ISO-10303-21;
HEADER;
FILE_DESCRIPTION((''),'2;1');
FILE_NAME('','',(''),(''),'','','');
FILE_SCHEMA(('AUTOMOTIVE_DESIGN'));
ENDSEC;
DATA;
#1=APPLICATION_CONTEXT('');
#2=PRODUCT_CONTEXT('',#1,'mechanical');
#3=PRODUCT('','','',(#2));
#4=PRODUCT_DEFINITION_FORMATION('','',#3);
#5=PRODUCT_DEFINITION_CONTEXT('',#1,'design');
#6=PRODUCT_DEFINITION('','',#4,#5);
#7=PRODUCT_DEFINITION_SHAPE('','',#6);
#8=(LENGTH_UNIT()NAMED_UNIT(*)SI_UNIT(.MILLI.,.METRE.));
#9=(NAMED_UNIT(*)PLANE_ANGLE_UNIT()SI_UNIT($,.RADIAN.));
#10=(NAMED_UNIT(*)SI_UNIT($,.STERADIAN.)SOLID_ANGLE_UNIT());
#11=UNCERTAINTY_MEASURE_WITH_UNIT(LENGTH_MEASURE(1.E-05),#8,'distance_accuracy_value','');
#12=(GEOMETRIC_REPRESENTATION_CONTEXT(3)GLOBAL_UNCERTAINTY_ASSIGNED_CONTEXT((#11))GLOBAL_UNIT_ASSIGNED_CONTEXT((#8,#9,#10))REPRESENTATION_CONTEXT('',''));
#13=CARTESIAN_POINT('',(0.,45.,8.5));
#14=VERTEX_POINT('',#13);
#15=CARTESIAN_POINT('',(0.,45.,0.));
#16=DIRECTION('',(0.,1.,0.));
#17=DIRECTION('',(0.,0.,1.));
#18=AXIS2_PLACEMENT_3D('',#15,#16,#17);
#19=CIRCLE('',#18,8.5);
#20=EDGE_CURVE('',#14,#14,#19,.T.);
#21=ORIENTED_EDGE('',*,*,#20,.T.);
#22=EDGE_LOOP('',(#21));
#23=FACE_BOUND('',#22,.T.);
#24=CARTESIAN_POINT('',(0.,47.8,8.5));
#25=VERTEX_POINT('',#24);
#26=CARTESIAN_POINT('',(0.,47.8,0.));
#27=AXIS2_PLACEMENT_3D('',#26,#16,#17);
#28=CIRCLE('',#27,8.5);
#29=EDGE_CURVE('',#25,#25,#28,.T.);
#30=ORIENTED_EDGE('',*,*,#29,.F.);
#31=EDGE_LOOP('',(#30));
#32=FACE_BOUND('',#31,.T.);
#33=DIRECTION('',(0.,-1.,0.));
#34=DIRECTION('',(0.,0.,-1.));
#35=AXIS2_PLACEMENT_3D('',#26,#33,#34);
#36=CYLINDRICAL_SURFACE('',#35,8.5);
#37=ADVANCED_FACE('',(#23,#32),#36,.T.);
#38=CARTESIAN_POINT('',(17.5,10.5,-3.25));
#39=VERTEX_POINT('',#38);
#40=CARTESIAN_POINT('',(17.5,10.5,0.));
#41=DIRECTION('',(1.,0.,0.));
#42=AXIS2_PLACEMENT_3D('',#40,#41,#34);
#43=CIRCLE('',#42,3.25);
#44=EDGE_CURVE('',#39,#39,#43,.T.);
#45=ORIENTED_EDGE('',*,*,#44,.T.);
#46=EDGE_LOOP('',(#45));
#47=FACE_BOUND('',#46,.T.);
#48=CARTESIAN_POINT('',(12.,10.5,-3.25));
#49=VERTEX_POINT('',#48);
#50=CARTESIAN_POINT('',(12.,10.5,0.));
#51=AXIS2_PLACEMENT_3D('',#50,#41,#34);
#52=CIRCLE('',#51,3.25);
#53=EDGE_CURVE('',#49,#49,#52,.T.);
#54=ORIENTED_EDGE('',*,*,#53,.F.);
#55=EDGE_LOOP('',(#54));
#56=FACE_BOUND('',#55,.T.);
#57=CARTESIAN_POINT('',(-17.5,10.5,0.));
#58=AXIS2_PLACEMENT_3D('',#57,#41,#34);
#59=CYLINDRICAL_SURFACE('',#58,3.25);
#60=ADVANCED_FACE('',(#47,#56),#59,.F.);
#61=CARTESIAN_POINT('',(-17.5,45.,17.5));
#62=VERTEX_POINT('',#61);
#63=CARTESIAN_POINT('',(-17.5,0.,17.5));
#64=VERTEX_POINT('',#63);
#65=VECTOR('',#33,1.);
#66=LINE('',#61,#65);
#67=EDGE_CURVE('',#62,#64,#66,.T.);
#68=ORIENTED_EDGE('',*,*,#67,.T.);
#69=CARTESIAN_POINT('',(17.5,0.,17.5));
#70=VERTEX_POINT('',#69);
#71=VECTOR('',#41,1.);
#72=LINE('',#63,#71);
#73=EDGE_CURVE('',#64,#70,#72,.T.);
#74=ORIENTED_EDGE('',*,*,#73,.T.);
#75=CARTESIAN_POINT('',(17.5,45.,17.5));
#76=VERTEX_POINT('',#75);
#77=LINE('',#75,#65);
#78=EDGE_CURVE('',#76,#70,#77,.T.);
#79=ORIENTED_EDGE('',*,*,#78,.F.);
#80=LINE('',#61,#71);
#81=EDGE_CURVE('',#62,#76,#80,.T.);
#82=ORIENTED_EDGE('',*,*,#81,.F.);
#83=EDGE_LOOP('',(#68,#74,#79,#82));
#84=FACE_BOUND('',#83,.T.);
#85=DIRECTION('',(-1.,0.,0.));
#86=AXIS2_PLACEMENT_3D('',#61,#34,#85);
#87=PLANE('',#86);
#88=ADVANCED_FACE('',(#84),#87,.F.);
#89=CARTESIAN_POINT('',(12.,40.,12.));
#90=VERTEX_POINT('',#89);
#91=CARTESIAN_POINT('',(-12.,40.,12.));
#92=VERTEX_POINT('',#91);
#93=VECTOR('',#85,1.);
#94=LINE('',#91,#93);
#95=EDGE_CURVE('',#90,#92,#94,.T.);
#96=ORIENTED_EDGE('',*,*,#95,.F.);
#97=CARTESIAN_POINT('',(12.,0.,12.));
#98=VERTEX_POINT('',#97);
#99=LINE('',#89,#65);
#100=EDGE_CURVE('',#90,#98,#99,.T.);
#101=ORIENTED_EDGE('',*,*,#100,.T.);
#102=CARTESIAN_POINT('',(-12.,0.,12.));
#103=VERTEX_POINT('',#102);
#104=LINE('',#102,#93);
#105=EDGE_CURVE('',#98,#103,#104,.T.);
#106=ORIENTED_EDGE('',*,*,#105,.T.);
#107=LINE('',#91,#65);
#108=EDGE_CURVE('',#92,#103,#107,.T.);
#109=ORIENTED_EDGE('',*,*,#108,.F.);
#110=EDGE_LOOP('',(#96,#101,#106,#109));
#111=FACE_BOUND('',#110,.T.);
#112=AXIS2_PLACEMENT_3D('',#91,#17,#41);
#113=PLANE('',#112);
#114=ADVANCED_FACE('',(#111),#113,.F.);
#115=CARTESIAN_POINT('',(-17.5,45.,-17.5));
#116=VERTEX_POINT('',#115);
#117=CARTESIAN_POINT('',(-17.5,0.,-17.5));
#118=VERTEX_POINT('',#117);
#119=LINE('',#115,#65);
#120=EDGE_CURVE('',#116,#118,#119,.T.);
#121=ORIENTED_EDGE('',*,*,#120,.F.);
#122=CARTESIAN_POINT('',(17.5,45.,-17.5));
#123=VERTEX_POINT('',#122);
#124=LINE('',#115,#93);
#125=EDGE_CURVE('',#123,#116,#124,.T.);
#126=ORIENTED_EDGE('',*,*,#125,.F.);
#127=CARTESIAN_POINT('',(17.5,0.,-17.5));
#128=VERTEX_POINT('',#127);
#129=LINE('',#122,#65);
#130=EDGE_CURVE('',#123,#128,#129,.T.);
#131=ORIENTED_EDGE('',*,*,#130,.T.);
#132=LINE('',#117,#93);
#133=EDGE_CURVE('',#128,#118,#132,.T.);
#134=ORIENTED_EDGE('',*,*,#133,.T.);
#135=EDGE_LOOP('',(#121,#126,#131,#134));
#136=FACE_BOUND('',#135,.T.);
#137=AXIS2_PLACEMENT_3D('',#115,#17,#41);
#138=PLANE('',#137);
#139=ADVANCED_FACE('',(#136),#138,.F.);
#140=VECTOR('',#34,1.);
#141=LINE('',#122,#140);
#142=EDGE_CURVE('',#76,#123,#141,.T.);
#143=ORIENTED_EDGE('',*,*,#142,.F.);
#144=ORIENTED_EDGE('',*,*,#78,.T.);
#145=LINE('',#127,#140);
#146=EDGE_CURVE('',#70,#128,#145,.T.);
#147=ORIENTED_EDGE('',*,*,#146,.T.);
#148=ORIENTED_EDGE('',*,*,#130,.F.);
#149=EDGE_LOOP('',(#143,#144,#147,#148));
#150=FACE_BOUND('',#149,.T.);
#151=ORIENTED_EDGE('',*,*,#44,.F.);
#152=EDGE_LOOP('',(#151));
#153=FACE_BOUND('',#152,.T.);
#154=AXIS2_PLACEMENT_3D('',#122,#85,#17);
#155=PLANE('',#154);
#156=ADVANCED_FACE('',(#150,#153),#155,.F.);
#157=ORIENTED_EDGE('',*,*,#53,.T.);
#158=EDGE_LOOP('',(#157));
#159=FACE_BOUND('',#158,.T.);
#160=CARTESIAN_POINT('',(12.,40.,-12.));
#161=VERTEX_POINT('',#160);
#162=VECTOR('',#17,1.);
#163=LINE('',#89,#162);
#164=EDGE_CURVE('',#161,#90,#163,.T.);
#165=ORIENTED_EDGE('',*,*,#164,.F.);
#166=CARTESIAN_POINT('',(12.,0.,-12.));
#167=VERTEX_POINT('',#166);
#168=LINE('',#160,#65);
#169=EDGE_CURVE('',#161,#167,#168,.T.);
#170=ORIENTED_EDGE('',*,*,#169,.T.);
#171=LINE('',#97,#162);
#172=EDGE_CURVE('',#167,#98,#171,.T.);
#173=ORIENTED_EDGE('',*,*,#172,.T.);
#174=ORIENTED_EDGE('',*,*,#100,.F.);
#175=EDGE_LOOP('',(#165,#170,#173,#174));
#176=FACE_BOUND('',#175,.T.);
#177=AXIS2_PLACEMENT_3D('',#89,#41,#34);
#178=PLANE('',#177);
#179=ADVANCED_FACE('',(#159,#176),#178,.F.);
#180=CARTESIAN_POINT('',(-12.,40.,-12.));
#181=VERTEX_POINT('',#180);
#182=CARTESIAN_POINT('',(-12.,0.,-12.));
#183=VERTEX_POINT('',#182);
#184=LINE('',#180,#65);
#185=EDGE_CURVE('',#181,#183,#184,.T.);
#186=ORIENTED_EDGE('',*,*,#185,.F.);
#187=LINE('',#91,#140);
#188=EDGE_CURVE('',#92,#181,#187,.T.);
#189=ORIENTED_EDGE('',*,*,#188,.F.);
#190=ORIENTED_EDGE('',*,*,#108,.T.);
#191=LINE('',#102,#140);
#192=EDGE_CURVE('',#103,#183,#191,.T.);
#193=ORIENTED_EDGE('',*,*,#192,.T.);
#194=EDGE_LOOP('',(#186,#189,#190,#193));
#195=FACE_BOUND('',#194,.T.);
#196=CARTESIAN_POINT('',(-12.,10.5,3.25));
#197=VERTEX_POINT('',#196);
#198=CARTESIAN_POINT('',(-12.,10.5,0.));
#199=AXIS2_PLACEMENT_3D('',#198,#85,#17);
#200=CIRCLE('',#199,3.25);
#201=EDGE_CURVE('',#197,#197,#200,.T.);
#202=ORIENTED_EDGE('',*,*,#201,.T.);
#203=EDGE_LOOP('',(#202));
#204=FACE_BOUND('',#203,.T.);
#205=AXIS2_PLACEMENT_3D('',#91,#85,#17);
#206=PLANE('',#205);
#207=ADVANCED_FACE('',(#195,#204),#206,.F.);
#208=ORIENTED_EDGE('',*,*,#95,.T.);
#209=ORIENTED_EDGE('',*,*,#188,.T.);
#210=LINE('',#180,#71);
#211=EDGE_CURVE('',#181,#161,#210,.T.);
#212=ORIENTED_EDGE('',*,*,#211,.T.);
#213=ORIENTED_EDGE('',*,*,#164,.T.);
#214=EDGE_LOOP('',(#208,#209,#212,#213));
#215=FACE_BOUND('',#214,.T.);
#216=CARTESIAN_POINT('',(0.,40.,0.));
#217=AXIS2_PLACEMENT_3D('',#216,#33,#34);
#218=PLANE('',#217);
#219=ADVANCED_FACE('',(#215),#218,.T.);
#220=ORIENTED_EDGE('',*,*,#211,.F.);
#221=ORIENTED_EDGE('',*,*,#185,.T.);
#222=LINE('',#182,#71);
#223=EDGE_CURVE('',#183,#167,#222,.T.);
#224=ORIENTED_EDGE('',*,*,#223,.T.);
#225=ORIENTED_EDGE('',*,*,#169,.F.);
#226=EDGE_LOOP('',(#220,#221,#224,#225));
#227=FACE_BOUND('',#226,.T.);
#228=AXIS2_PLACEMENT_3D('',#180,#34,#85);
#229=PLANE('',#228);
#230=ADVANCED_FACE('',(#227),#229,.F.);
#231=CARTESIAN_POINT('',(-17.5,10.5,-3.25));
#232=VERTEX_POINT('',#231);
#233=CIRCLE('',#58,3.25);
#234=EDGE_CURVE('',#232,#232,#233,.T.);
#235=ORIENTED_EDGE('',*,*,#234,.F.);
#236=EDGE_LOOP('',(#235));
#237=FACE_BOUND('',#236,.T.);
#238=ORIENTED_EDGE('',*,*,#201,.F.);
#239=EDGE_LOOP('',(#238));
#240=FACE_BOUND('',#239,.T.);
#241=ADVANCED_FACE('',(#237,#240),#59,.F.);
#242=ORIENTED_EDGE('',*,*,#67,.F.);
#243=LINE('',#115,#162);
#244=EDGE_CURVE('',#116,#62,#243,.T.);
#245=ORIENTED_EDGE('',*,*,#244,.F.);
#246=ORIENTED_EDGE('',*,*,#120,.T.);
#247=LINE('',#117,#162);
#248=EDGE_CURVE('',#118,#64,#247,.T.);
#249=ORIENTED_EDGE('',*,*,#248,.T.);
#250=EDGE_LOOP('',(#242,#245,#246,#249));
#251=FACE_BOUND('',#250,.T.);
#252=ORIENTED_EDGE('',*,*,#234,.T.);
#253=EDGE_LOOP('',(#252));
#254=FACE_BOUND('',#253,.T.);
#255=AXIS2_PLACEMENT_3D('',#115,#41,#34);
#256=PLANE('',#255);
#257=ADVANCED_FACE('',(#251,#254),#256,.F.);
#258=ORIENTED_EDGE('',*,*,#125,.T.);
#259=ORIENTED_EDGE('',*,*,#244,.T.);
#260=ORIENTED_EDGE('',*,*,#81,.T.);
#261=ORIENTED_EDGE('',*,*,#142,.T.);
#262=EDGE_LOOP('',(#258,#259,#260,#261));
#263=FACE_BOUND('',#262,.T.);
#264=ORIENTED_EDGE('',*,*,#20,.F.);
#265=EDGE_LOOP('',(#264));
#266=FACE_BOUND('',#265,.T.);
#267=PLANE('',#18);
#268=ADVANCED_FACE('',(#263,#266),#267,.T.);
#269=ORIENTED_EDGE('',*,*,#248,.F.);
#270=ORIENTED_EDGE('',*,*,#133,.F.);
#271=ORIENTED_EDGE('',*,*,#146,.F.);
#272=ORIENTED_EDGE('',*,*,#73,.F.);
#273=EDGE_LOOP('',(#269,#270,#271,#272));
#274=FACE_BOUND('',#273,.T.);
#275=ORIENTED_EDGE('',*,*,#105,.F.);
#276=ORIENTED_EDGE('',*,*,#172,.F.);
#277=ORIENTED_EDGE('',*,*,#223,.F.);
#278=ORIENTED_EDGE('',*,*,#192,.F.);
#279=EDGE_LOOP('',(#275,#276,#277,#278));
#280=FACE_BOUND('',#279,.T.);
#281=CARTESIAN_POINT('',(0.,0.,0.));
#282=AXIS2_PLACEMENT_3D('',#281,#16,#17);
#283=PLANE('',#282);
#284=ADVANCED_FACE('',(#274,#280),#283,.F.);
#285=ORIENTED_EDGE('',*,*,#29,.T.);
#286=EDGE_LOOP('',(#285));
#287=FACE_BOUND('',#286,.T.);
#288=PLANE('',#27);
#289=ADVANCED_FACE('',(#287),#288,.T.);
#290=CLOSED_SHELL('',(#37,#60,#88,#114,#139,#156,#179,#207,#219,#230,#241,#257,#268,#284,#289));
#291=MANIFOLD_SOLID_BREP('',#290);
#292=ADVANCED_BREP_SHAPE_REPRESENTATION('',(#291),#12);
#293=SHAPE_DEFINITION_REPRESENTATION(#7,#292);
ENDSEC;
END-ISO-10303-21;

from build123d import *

# Parameters (mm, degrees)
SKETCH_1_W          = 35
SKETCH_1_H          = 35
EXTRUDE_1_DEPTH     = 45
SKETCH_2_R          = 8.5
EXTRUDE_2_DEPTH     = 2.8
SKETCH_4_W          = 24
SKETCH_4_H          = 24
CUT_EXTRUDE_1_DEPTH = 40
SKETCH_5_R          = 3.25
CUT_EXTRUDE_2_DEPTH = 62.774509306


with BuildPart() as part:
    # 草图1 → 凸台-拉伸1 (new body)
    with BuildSketch(Plane(origin=(0, 0, 0), x_dir=(1, 0, 0), z_dir=(0, 1, 0))):
        Rectangle(SKETCH_1_W, SKETCH_1_H)
    extrude(amount=EXTRUDE_1_DEPTH)

    # 草图2 → 凸台-拉伸2 (add)
    with BuildSketch(Plane(origin=(0, 45, 0), x_dir=(1, 0, 0), z_dir=(0, 1, 0))):
        with Locations(Location((0, 0, 0), (0, 0, 270))):
            Circle(SKETCH_2_R)
    extrude(amount=EXTRUDE_2_DEPTH)

    # 草图4 → 切除-拉伸1 (cut)
    with BuildSketch(Plane.XZ):
        Rectangle(SKETCH_4_W, SKETCH_4_H)
    extrude(amount=-CUT_EXTRUDE_1_DEPTH, mode=Mode.SUBTRACT)

    # 草图5 → 切除-拉伸2 (cut, through all)
    with BuildSketch(Plane(origin=(17.5, 0, 0), x_dir=(0, 0, -1), z_dir=(1, 0, 0))):
        with Locations((0, 10.5)):
            Circle(SKETCH_5_R)
    extrude(amount=-CUT_EXTRUDE_2_DEPTH, mode=Mode.SUBTRACT)


solid = part.part
